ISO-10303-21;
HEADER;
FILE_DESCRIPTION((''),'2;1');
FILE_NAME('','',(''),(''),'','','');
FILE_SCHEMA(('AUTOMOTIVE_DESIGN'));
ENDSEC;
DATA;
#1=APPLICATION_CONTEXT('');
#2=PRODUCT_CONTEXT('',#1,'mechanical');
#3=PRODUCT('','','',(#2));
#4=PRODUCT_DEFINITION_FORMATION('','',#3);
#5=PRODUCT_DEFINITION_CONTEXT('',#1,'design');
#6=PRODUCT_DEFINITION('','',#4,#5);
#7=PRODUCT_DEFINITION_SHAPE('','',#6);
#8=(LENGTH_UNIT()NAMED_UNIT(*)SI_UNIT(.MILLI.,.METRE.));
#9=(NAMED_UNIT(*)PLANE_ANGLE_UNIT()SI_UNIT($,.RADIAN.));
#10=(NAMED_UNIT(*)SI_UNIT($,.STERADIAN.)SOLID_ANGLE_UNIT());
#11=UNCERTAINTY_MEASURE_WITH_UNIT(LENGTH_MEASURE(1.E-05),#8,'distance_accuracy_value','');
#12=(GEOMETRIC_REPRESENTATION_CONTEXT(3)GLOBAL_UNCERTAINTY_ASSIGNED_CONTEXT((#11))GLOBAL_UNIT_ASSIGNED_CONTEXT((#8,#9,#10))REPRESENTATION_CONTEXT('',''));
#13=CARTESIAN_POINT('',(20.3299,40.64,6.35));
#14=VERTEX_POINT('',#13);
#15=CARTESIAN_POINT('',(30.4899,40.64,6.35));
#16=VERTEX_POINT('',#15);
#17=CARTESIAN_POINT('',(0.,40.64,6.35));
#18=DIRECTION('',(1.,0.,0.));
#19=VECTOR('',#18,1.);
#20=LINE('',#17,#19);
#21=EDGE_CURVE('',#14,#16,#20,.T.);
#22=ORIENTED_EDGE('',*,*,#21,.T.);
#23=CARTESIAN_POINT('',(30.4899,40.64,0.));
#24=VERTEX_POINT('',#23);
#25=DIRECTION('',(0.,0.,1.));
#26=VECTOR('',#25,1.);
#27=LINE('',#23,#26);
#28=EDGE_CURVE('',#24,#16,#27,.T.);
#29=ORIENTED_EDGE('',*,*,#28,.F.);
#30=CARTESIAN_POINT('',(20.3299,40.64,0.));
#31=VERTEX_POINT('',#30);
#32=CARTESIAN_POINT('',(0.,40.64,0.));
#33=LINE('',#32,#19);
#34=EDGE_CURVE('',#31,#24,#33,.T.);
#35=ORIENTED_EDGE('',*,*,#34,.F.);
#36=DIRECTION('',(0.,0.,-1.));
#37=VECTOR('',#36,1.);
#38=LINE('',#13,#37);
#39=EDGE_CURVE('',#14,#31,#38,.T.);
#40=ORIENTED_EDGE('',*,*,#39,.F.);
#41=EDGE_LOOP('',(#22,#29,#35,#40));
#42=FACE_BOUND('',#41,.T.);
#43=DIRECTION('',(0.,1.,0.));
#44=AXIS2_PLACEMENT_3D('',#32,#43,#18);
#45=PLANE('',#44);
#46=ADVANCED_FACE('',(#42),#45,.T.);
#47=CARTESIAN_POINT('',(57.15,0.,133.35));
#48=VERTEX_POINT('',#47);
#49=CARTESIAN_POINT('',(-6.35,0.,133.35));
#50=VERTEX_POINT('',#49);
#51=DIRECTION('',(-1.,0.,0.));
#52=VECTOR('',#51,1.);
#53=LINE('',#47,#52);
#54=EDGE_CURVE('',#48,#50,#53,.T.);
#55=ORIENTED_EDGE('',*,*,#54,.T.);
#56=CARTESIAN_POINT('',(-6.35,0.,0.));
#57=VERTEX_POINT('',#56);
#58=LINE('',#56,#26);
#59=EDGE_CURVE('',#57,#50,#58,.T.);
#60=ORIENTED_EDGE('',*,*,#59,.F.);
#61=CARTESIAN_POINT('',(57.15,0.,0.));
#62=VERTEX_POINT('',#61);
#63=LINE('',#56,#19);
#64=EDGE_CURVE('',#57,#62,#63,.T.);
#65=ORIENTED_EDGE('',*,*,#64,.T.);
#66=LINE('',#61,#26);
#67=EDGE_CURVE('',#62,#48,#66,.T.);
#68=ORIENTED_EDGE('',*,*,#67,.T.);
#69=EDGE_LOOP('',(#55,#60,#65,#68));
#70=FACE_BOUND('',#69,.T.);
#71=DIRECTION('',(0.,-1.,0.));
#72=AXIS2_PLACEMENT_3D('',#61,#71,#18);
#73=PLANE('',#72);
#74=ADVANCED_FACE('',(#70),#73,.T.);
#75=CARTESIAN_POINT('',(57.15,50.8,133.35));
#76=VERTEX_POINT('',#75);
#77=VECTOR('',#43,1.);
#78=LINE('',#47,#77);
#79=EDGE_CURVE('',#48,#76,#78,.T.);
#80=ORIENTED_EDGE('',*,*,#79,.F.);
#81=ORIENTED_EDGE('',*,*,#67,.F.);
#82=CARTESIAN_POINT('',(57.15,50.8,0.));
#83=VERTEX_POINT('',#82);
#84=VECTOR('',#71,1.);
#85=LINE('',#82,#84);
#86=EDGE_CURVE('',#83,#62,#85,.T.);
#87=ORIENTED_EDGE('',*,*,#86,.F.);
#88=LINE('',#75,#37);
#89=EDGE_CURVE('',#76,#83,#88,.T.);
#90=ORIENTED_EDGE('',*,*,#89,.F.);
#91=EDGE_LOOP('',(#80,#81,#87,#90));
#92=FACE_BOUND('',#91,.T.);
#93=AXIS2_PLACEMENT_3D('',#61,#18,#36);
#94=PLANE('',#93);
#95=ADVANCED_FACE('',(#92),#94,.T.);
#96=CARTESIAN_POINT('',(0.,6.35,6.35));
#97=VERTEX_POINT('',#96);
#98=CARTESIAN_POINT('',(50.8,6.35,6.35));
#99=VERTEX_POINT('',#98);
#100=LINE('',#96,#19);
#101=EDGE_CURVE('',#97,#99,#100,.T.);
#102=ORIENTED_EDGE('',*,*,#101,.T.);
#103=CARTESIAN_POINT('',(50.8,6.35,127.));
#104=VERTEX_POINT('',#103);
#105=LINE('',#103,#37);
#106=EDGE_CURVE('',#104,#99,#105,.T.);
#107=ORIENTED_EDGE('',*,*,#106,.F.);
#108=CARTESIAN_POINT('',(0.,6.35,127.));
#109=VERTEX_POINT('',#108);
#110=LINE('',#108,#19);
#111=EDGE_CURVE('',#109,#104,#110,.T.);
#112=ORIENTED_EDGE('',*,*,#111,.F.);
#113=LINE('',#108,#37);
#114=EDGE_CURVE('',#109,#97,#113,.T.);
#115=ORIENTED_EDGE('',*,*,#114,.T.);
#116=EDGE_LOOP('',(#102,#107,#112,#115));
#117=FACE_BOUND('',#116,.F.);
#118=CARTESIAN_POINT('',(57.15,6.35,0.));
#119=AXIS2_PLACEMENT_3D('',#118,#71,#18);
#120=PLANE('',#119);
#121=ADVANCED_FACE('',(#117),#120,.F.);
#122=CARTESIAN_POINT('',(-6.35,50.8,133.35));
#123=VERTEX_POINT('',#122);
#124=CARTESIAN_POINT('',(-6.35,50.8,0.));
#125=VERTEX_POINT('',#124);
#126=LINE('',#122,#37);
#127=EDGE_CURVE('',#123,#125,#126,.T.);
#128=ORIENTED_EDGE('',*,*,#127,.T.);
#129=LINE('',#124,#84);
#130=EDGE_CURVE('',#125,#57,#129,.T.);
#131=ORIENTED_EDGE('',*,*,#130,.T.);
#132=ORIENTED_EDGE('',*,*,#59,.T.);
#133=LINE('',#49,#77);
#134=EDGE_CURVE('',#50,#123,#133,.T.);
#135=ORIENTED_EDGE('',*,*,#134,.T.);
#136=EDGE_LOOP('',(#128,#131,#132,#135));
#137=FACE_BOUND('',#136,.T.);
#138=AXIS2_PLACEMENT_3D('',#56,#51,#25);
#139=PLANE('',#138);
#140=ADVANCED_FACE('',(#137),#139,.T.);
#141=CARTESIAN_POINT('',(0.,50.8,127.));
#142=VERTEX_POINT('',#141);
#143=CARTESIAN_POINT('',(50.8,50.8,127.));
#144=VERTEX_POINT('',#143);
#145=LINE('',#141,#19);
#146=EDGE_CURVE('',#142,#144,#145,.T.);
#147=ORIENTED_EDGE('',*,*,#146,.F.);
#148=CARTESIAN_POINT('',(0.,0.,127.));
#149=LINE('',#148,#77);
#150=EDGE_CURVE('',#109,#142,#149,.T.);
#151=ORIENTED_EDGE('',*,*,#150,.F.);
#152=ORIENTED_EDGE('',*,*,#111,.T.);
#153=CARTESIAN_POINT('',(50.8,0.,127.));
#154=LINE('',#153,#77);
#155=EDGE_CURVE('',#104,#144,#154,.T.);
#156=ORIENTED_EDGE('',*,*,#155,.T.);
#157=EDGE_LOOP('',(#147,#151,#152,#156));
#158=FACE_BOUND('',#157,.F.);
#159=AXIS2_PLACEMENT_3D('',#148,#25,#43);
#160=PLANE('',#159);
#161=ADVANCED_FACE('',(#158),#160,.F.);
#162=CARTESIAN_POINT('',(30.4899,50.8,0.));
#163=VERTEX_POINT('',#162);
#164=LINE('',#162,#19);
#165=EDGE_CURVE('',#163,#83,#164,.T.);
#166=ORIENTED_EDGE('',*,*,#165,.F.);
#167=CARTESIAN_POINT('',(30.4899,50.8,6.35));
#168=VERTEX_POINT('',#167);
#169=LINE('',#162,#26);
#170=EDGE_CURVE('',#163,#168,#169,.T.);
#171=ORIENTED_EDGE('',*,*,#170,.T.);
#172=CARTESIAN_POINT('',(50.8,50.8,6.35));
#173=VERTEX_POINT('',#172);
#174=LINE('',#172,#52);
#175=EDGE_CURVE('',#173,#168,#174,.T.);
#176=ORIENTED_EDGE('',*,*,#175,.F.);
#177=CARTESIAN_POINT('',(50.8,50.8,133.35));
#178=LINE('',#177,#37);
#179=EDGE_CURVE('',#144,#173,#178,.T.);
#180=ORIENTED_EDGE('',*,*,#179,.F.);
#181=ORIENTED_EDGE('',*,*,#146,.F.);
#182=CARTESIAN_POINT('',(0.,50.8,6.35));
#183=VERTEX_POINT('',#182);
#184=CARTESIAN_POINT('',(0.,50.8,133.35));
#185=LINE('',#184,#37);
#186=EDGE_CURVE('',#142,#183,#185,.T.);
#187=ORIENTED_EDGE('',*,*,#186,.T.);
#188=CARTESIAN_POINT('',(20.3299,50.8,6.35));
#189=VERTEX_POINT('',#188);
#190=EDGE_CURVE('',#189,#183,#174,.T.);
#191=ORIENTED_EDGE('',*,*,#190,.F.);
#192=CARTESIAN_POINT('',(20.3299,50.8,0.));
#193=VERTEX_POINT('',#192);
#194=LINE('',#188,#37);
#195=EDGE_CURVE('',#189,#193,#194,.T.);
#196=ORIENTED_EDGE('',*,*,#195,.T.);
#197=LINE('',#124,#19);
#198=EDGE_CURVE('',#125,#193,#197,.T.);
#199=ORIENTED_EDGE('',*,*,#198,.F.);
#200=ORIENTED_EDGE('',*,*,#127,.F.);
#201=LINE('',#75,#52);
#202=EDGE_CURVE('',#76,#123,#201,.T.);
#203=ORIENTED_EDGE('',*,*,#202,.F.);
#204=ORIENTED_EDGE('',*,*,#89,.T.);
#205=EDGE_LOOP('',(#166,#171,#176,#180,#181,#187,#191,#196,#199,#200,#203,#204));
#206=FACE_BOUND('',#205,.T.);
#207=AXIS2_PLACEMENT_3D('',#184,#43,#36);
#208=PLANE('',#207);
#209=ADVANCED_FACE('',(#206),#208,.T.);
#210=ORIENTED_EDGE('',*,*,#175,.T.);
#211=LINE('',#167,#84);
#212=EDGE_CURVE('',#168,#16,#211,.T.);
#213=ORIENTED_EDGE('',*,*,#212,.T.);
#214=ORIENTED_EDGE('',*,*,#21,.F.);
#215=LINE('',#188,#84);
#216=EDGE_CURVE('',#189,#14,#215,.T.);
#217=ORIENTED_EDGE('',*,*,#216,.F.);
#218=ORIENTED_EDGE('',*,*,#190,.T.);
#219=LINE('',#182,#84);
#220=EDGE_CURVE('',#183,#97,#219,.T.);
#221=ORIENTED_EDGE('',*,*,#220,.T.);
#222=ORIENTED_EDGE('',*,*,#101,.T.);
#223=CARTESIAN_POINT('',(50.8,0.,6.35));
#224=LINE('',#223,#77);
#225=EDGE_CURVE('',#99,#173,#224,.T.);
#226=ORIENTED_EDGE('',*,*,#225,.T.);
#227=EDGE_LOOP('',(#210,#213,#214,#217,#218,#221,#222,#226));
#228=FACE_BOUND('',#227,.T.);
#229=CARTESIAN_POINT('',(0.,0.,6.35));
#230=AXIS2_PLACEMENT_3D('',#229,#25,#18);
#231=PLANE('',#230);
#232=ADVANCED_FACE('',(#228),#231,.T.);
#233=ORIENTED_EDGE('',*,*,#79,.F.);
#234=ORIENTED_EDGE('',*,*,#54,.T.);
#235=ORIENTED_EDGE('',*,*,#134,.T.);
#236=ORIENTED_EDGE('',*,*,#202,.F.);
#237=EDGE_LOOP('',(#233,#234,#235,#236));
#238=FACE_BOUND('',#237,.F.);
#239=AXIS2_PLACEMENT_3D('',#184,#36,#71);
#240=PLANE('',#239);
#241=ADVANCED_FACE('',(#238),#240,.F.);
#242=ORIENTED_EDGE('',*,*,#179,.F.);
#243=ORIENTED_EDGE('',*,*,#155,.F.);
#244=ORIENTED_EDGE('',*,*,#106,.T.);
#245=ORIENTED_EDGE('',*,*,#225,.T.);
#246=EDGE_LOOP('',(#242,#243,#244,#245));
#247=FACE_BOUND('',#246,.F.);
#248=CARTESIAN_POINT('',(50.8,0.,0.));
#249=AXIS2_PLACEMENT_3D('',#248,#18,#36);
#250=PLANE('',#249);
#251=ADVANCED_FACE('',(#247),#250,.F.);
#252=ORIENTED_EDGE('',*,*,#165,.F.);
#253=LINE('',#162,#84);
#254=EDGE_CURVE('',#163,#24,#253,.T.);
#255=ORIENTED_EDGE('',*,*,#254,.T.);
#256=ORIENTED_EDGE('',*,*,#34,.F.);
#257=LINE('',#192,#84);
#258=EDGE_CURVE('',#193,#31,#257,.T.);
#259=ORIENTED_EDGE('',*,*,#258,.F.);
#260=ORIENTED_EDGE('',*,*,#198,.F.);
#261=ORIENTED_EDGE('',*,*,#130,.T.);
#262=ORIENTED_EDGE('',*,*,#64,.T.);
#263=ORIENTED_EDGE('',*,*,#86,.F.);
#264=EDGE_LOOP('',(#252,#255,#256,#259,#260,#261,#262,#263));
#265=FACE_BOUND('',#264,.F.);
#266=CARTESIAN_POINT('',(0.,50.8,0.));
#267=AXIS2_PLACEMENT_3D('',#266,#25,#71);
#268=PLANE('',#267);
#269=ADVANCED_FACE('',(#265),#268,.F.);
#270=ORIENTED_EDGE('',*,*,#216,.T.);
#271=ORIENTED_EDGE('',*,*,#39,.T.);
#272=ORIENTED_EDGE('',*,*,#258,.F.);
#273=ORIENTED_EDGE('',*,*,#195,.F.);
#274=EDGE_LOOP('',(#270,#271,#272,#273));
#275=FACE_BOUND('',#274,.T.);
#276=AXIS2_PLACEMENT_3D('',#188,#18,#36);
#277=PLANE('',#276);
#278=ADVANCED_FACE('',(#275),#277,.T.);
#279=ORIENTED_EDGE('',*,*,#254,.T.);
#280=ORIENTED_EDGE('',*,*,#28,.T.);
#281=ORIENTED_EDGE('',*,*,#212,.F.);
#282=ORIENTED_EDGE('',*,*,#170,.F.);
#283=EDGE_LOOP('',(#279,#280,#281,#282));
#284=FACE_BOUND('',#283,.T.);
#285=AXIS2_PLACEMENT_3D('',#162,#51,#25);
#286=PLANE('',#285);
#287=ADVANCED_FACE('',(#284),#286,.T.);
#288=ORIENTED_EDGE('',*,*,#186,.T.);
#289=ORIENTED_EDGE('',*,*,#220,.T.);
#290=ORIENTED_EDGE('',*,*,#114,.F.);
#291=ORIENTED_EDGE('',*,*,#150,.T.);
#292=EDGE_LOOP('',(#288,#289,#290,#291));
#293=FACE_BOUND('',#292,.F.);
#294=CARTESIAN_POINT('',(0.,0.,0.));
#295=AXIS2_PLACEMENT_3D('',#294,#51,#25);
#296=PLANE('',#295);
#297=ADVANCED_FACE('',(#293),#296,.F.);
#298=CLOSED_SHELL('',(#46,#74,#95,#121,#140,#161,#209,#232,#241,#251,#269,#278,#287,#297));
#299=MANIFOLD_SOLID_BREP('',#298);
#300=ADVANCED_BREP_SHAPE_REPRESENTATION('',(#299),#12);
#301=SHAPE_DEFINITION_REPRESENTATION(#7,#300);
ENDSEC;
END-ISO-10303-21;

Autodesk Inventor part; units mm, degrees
ref_plane "YZ Plane" through (0, 0, 0) normal (1, 0, 0) x (0, 1, 0)
ref_plane "XZ Plane" through (0, 0, 0) normal (0, 1, 0) x (-1, 0, 0)
ref_plane "XY Plane" through (0, 0, 0) normal (0, 0, 1) x (1, 0, 0)
sketch "Sketch1" plane through (0, 0, 0) normal (0, 0, 1) x (1, 0, 0)
  line L0 (0, 0) -> (50.8, 0)
  line L1 (50.8, 0) -> (50.8, 50.8)
  line L2 (50.8, 50.8) -> (0, 50.8)
  line L3 (0, 50.8) -> (0, 0)
  dimension "d0" = 50.8
  dimension "d1" = 50.8
extrude "Extrusion1" add sketch "Sketch1" along normal blind 6.35
sketch "Sketch2" plane through (0, 50.8, 0) normal (0, 1, 0) x (1, 0, 0)
  line L0 (0, 0) -> (50.8, 0) projected
  line L1 (0, -6.35) -> (50.8, -6.35) projected
  line L2 (20.3299, 0) -> (30.4899, 0)
  line L3 (30.4899, 0) -> (30.4899, -6.35)
  line L4 (30.4899, -6.35) -> (20.3299, -6.35)
  line L5 (20.3299, -6.35) -> (20.3299, 0)
  dimension "d4" = 10.16
extrude "Extrusion2" cut sketch "Sketch2" against normal blind 10.16
sketch "Sketch3" plane through (50.8, 0, 0) normal (1, 0, 0) x (0, 0, -1)
  line L0 (0, 0) -> (-6.35, 0) projected
  line L1 (0, 0) -> (-133.35, 0)
  line L2 (-133.35, 0) -> (-133.35, 50.8)
  line L3 (-133.35, 50.8) -> (0, 50.8)
  line L4 (0, 50.8) -> (0, 0)
  dimension "d7" = 133.35
extrude "Extrusion3" add sketch "Sketch3" along normal blind 6.35
sketch "Sketch4" plane through (0, 0, 0) normal (-1, 0, 0) x (0, 0, 1)
  line L0 (133.35, 0) -> (133.35, 50.8) projected
  line L1 (0, 0) -> (133.35, 0)
  line L2 (133.35, 0) -> (133.35, 50.8)
  line L3 (133.35, 50.8) -> (0, 50.8)
  line L4 (0, 50.8) -> (0, 0)
extrude "Extrusion4" add sketch "Sketch4" along normal blind 6.35
sketch "Sketch5" plane through (0, 0, 0) normal (1, 0, 0) x (0, 0, -1)
  line L0 (-6.35, 0) -> (-133.35, 0) projected
  line L1 (-133.35, 50.8) -> (-6.35, 50.8) projected
  line L2 (-133.35, 0) -> (-127, 0)
  line L3 (-127, 0) -> (-127, 50.8)
  line L4 (-127, 50.8) -> (-133.35, 50.8)
  line L5 (-133.35, 50.8) -> (-133.35, 0)
  point P0 (0, 0)
  dimension "d12" = 6.35
extrude "Extrusion5" add sketch "Sketch5" along normal blind 50.8
sketch "Sketch6" plane through (57.15, 0, 0) normal (0, -1, 0) x (1, 0, 0)
  line L0 (-57.15, 6.35) -> (-6.35, 6.35) projected
  line L1 (-57.15, 127) -> (-57.15, 6.35) projected
  line L2 (-6.35, 6.35) -> (-57.15, 6.35)
  line L3 (-57.15, 6.35) -> (-57.15, 127)
  line L4 (-57.15, 127) -> (-6.35, 127)
  line L5 (-6.35, 127) -> (-6.35, 6.35)
  point P0 (-57.15, 0)
extrude "Extrusion6" add sketch "Sketch6" against normal blind 6.35
equation "\"d5\" = d4"
properties part number "BatteryHolder"
